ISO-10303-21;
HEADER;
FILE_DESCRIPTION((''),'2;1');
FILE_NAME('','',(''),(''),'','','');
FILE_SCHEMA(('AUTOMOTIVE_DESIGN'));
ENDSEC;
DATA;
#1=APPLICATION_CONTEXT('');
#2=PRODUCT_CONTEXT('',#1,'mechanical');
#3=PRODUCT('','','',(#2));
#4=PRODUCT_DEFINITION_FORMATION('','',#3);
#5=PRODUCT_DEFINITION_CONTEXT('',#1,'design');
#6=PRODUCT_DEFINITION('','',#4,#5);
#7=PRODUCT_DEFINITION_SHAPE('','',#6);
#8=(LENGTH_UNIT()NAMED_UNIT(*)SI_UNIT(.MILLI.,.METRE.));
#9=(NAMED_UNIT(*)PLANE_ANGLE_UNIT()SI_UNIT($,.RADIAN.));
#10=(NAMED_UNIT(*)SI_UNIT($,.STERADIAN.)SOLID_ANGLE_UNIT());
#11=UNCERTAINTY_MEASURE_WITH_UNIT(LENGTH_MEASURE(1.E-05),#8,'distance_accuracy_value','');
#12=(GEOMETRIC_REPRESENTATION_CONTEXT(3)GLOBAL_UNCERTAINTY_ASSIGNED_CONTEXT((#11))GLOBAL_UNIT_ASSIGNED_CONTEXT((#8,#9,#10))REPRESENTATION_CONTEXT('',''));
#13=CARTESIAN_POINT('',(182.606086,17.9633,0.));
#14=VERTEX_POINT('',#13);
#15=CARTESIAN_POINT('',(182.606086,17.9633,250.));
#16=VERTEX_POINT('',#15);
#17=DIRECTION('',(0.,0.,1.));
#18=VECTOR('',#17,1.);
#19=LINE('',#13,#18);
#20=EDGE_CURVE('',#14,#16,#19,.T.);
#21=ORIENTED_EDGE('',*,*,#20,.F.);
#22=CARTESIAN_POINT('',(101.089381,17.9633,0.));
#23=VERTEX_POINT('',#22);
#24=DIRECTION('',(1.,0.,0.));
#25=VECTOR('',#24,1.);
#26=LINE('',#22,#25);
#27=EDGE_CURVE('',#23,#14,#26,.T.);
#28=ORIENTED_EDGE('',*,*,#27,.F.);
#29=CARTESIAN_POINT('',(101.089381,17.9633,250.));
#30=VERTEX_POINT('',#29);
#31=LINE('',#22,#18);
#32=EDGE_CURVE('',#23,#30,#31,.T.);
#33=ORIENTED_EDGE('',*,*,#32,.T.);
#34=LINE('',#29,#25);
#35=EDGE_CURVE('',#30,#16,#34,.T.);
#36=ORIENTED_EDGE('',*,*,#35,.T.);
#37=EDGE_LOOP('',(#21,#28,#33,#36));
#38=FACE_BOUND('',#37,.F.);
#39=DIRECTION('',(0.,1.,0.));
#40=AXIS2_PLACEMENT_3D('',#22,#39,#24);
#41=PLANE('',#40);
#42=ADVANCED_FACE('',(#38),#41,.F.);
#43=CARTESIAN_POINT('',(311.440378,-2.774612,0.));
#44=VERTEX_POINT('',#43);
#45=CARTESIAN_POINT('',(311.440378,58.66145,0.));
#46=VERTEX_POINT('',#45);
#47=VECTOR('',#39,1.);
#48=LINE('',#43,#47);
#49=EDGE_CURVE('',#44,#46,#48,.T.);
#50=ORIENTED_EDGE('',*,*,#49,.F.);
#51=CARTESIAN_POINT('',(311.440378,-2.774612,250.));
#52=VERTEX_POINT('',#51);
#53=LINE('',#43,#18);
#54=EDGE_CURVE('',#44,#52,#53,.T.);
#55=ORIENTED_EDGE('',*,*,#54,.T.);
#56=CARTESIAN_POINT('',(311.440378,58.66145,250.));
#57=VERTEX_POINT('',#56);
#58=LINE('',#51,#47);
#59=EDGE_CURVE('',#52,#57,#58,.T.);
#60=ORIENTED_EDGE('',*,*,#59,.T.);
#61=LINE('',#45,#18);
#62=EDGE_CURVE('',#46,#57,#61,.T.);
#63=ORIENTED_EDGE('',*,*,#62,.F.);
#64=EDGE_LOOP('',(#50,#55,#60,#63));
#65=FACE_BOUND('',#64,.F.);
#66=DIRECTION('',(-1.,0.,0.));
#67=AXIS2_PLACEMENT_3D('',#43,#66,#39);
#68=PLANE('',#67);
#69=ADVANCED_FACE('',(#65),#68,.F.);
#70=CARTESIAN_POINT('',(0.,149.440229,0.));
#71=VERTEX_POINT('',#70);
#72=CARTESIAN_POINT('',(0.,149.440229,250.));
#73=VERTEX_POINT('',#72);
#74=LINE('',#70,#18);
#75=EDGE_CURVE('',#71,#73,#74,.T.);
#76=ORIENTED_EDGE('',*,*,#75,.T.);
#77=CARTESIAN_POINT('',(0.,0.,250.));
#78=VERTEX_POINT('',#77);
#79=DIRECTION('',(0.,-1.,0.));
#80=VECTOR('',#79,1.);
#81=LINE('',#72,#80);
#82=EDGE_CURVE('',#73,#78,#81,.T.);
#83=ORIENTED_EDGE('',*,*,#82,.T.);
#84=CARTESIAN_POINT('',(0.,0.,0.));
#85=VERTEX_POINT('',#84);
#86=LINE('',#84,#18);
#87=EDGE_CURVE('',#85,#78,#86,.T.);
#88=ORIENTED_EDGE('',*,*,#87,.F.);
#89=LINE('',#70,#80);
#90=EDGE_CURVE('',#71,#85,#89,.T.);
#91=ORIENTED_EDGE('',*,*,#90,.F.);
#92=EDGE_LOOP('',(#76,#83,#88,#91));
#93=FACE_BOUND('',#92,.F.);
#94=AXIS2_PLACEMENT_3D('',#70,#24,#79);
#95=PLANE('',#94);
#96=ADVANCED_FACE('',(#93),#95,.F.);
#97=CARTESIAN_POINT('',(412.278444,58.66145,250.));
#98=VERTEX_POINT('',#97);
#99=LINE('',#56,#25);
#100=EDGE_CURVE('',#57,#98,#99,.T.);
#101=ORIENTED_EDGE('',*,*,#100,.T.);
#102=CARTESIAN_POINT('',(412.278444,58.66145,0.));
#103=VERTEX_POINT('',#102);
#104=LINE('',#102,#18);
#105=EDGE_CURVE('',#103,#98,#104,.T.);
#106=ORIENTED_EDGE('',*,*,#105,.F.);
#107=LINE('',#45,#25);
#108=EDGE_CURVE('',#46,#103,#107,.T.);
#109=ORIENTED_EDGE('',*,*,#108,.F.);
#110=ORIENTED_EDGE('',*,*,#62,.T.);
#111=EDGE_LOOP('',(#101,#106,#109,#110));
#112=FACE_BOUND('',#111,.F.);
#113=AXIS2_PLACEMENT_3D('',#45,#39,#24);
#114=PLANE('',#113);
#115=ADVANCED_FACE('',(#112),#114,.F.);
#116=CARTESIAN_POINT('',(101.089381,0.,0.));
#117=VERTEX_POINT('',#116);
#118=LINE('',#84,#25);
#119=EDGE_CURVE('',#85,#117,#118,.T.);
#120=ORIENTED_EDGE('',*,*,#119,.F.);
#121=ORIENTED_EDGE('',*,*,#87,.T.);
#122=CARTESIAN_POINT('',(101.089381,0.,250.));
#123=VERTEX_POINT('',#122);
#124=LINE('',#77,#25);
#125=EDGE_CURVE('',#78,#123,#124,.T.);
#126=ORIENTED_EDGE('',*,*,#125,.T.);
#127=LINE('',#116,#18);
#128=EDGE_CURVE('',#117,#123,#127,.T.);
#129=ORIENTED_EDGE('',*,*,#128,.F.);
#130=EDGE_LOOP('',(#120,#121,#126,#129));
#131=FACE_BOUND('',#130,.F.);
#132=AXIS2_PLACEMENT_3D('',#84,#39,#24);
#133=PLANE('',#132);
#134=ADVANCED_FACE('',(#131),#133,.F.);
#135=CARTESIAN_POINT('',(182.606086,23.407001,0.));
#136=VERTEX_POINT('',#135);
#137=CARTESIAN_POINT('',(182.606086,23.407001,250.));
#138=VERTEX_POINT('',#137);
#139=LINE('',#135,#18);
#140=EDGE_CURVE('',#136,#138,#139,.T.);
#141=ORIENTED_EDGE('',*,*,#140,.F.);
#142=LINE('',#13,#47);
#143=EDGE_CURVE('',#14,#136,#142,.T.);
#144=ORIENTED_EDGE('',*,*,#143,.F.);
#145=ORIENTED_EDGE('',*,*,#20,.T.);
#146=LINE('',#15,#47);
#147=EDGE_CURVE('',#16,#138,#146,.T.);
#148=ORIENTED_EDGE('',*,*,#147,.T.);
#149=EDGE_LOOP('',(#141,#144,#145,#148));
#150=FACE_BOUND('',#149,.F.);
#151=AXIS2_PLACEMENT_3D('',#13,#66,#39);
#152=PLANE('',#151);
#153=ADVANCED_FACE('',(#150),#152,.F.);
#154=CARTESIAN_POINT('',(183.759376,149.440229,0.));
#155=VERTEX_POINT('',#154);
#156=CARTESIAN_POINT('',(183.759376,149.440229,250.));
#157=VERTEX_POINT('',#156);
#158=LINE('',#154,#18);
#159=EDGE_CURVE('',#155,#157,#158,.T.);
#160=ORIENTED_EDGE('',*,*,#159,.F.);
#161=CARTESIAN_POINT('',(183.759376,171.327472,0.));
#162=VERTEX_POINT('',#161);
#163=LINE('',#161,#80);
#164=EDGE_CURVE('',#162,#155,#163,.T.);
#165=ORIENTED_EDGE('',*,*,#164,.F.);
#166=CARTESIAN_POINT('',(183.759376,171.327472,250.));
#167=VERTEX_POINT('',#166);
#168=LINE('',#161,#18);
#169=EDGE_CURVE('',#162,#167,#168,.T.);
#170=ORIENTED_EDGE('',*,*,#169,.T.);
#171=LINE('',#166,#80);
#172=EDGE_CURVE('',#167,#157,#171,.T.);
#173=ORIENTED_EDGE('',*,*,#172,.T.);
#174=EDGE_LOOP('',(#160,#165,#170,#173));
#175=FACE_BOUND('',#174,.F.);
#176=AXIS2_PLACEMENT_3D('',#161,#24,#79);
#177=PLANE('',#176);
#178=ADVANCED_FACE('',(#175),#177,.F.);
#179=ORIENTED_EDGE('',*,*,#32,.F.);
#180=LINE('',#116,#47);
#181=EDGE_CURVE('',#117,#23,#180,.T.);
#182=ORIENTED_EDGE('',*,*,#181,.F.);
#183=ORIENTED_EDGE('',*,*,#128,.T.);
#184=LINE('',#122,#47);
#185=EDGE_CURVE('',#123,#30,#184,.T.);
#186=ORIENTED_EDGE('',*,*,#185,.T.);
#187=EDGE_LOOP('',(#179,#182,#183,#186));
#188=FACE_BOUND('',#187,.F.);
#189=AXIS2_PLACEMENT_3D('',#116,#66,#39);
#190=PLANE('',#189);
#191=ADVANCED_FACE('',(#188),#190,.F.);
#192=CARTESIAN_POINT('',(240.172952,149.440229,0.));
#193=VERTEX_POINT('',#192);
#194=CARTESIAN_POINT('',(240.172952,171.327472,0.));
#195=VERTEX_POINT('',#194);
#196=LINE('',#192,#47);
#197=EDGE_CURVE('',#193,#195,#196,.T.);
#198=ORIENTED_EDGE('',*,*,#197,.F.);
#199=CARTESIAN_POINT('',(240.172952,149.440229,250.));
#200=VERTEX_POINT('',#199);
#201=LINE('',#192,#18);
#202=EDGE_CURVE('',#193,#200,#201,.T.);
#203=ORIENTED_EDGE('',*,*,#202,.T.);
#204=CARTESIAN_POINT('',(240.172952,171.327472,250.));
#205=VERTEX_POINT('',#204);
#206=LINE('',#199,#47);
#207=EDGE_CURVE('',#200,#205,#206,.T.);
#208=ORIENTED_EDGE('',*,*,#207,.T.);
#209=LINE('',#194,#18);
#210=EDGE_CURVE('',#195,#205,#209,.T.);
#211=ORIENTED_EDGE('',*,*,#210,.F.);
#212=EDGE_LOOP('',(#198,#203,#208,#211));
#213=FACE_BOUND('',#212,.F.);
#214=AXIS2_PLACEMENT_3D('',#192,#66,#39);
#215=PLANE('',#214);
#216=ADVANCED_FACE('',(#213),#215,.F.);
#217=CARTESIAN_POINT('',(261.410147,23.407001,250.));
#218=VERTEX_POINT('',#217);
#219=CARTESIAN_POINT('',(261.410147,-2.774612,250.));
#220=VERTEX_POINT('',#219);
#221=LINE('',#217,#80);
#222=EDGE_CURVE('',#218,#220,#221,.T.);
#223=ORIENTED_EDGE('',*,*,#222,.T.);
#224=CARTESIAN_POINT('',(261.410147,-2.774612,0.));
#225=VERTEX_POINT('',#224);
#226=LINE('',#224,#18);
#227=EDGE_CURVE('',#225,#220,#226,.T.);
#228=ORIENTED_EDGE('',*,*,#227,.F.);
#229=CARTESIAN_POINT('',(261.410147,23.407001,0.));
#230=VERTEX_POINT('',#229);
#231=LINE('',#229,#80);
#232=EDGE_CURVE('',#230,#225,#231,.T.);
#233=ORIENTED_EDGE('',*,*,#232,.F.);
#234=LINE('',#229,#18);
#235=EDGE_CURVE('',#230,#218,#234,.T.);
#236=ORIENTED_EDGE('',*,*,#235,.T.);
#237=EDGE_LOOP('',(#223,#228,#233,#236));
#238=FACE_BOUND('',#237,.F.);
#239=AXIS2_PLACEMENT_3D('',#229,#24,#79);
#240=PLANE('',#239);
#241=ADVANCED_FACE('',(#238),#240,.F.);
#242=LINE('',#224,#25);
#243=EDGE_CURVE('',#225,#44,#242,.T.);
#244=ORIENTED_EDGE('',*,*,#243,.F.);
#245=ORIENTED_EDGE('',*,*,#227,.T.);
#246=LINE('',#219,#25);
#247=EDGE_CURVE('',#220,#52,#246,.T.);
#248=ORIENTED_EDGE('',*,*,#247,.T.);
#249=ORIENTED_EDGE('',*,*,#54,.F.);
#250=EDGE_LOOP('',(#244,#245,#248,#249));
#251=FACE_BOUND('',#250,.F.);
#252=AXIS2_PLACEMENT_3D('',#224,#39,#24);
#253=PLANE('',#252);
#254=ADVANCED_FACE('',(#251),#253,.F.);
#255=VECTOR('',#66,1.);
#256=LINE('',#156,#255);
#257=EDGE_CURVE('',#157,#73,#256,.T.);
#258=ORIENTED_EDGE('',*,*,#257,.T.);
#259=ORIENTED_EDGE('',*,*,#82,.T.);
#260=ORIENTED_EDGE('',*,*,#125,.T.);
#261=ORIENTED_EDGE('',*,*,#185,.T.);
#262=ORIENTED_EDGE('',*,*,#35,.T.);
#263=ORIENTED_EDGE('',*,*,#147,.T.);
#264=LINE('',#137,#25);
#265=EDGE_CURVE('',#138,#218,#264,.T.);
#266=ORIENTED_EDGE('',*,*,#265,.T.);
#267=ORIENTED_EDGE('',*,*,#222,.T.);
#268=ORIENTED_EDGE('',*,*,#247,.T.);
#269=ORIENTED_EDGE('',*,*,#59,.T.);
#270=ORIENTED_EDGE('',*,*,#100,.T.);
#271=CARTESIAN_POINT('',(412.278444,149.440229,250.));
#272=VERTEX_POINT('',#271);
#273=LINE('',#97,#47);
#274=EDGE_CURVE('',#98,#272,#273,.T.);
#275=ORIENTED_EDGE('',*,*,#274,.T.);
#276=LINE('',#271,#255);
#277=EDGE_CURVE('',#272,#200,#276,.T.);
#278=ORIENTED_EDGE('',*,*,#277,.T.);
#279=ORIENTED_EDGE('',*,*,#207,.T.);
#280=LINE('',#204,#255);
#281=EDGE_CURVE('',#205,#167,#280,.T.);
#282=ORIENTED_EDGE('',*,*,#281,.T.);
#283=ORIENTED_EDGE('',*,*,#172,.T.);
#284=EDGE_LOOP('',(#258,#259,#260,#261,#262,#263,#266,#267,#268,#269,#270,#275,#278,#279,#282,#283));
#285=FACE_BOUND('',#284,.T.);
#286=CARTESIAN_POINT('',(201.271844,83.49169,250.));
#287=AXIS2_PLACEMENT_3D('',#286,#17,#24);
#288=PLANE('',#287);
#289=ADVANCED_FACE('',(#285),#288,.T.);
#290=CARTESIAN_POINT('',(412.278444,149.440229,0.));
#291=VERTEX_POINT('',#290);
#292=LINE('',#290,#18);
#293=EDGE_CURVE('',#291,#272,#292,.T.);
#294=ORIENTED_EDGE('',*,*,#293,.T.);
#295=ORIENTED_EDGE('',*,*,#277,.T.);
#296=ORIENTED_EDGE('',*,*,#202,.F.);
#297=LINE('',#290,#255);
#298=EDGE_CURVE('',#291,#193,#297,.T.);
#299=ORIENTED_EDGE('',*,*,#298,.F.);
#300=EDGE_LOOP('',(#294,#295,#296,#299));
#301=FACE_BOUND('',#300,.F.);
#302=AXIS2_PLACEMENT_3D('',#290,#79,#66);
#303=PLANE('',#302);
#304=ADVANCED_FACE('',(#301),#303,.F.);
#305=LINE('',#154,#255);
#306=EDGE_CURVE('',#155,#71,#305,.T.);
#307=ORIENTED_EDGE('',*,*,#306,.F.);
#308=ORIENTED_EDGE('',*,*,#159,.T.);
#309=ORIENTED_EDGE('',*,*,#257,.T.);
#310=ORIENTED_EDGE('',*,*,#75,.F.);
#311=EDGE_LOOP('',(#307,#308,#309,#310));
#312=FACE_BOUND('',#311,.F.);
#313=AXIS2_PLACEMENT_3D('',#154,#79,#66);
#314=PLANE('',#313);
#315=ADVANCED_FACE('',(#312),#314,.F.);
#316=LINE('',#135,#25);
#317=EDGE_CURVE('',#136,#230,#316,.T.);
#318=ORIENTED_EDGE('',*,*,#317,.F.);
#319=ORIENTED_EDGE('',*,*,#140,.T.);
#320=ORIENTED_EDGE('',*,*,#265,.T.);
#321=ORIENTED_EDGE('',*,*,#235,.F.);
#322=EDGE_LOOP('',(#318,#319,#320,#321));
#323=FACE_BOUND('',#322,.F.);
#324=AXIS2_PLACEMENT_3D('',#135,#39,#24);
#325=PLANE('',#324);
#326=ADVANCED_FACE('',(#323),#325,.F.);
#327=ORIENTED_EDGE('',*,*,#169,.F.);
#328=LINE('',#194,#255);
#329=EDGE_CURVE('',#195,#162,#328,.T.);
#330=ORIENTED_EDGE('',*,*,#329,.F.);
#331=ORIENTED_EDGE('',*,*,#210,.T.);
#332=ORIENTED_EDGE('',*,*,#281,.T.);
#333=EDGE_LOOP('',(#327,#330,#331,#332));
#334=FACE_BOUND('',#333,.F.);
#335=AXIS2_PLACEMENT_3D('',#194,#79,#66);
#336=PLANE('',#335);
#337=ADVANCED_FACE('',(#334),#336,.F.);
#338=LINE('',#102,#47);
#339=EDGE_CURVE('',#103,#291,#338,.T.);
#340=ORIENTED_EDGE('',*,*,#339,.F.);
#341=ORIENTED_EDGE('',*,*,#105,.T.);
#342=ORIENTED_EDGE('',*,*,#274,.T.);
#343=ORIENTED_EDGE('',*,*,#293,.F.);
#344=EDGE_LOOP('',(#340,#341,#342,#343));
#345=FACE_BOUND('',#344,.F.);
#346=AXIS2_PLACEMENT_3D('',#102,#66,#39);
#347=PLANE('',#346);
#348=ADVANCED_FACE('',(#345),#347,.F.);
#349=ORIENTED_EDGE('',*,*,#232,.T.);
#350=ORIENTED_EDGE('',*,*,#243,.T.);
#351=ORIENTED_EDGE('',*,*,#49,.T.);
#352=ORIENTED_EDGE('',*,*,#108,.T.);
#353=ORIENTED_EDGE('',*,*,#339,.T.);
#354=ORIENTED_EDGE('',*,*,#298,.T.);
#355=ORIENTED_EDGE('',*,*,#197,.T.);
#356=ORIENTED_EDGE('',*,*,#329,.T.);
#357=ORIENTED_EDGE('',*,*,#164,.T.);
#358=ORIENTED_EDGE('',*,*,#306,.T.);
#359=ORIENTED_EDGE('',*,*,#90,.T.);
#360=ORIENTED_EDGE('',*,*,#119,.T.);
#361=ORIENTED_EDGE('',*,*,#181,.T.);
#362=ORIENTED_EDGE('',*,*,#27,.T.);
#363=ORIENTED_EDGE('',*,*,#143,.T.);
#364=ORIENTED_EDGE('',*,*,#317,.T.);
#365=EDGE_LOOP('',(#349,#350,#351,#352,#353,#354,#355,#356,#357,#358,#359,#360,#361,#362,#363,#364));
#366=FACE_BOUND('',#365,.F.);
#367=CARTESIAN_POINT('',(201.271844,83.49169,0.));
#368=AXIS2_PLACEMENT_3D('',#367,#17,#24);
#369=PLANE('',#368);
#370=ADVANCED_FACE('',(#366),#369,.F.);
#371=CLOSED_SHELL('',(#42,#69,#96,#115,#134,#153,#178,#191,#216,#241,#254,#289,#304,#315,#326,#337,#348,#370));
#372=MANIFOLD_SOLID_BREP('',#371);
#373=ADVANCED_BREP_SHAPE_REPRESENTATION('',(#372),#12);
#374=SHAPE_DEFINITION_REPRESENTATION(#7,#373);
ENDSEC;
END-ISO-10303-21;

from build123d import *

# Parameters (mm, degrees)
F1_DEPTH = 250


with BuildPart() as f1:
    # F0 (on Top) → F1 (new body)
    with BuildSketch(Plane.XY):
        Polygon((0, 149.440229), (0, 0), (101.089381, 0), (101.089381, 17.9633), (182.606086, 17.9633), (182.606086, 23.407001), (261.410147, 23.407001), (261.410147, -2.774612), (311.440378, -2.774612), (311.440378, 58.66145), (412.278444, 58.66145), (412.278444, 149.440229), (240.172952, 149.440229), (240.172952, 171.327472), (183.759376, 171.327472), (183.759376, 149.440229), align=None)
    extrude(amount=F1_DEPTH)


solid = f1.part
